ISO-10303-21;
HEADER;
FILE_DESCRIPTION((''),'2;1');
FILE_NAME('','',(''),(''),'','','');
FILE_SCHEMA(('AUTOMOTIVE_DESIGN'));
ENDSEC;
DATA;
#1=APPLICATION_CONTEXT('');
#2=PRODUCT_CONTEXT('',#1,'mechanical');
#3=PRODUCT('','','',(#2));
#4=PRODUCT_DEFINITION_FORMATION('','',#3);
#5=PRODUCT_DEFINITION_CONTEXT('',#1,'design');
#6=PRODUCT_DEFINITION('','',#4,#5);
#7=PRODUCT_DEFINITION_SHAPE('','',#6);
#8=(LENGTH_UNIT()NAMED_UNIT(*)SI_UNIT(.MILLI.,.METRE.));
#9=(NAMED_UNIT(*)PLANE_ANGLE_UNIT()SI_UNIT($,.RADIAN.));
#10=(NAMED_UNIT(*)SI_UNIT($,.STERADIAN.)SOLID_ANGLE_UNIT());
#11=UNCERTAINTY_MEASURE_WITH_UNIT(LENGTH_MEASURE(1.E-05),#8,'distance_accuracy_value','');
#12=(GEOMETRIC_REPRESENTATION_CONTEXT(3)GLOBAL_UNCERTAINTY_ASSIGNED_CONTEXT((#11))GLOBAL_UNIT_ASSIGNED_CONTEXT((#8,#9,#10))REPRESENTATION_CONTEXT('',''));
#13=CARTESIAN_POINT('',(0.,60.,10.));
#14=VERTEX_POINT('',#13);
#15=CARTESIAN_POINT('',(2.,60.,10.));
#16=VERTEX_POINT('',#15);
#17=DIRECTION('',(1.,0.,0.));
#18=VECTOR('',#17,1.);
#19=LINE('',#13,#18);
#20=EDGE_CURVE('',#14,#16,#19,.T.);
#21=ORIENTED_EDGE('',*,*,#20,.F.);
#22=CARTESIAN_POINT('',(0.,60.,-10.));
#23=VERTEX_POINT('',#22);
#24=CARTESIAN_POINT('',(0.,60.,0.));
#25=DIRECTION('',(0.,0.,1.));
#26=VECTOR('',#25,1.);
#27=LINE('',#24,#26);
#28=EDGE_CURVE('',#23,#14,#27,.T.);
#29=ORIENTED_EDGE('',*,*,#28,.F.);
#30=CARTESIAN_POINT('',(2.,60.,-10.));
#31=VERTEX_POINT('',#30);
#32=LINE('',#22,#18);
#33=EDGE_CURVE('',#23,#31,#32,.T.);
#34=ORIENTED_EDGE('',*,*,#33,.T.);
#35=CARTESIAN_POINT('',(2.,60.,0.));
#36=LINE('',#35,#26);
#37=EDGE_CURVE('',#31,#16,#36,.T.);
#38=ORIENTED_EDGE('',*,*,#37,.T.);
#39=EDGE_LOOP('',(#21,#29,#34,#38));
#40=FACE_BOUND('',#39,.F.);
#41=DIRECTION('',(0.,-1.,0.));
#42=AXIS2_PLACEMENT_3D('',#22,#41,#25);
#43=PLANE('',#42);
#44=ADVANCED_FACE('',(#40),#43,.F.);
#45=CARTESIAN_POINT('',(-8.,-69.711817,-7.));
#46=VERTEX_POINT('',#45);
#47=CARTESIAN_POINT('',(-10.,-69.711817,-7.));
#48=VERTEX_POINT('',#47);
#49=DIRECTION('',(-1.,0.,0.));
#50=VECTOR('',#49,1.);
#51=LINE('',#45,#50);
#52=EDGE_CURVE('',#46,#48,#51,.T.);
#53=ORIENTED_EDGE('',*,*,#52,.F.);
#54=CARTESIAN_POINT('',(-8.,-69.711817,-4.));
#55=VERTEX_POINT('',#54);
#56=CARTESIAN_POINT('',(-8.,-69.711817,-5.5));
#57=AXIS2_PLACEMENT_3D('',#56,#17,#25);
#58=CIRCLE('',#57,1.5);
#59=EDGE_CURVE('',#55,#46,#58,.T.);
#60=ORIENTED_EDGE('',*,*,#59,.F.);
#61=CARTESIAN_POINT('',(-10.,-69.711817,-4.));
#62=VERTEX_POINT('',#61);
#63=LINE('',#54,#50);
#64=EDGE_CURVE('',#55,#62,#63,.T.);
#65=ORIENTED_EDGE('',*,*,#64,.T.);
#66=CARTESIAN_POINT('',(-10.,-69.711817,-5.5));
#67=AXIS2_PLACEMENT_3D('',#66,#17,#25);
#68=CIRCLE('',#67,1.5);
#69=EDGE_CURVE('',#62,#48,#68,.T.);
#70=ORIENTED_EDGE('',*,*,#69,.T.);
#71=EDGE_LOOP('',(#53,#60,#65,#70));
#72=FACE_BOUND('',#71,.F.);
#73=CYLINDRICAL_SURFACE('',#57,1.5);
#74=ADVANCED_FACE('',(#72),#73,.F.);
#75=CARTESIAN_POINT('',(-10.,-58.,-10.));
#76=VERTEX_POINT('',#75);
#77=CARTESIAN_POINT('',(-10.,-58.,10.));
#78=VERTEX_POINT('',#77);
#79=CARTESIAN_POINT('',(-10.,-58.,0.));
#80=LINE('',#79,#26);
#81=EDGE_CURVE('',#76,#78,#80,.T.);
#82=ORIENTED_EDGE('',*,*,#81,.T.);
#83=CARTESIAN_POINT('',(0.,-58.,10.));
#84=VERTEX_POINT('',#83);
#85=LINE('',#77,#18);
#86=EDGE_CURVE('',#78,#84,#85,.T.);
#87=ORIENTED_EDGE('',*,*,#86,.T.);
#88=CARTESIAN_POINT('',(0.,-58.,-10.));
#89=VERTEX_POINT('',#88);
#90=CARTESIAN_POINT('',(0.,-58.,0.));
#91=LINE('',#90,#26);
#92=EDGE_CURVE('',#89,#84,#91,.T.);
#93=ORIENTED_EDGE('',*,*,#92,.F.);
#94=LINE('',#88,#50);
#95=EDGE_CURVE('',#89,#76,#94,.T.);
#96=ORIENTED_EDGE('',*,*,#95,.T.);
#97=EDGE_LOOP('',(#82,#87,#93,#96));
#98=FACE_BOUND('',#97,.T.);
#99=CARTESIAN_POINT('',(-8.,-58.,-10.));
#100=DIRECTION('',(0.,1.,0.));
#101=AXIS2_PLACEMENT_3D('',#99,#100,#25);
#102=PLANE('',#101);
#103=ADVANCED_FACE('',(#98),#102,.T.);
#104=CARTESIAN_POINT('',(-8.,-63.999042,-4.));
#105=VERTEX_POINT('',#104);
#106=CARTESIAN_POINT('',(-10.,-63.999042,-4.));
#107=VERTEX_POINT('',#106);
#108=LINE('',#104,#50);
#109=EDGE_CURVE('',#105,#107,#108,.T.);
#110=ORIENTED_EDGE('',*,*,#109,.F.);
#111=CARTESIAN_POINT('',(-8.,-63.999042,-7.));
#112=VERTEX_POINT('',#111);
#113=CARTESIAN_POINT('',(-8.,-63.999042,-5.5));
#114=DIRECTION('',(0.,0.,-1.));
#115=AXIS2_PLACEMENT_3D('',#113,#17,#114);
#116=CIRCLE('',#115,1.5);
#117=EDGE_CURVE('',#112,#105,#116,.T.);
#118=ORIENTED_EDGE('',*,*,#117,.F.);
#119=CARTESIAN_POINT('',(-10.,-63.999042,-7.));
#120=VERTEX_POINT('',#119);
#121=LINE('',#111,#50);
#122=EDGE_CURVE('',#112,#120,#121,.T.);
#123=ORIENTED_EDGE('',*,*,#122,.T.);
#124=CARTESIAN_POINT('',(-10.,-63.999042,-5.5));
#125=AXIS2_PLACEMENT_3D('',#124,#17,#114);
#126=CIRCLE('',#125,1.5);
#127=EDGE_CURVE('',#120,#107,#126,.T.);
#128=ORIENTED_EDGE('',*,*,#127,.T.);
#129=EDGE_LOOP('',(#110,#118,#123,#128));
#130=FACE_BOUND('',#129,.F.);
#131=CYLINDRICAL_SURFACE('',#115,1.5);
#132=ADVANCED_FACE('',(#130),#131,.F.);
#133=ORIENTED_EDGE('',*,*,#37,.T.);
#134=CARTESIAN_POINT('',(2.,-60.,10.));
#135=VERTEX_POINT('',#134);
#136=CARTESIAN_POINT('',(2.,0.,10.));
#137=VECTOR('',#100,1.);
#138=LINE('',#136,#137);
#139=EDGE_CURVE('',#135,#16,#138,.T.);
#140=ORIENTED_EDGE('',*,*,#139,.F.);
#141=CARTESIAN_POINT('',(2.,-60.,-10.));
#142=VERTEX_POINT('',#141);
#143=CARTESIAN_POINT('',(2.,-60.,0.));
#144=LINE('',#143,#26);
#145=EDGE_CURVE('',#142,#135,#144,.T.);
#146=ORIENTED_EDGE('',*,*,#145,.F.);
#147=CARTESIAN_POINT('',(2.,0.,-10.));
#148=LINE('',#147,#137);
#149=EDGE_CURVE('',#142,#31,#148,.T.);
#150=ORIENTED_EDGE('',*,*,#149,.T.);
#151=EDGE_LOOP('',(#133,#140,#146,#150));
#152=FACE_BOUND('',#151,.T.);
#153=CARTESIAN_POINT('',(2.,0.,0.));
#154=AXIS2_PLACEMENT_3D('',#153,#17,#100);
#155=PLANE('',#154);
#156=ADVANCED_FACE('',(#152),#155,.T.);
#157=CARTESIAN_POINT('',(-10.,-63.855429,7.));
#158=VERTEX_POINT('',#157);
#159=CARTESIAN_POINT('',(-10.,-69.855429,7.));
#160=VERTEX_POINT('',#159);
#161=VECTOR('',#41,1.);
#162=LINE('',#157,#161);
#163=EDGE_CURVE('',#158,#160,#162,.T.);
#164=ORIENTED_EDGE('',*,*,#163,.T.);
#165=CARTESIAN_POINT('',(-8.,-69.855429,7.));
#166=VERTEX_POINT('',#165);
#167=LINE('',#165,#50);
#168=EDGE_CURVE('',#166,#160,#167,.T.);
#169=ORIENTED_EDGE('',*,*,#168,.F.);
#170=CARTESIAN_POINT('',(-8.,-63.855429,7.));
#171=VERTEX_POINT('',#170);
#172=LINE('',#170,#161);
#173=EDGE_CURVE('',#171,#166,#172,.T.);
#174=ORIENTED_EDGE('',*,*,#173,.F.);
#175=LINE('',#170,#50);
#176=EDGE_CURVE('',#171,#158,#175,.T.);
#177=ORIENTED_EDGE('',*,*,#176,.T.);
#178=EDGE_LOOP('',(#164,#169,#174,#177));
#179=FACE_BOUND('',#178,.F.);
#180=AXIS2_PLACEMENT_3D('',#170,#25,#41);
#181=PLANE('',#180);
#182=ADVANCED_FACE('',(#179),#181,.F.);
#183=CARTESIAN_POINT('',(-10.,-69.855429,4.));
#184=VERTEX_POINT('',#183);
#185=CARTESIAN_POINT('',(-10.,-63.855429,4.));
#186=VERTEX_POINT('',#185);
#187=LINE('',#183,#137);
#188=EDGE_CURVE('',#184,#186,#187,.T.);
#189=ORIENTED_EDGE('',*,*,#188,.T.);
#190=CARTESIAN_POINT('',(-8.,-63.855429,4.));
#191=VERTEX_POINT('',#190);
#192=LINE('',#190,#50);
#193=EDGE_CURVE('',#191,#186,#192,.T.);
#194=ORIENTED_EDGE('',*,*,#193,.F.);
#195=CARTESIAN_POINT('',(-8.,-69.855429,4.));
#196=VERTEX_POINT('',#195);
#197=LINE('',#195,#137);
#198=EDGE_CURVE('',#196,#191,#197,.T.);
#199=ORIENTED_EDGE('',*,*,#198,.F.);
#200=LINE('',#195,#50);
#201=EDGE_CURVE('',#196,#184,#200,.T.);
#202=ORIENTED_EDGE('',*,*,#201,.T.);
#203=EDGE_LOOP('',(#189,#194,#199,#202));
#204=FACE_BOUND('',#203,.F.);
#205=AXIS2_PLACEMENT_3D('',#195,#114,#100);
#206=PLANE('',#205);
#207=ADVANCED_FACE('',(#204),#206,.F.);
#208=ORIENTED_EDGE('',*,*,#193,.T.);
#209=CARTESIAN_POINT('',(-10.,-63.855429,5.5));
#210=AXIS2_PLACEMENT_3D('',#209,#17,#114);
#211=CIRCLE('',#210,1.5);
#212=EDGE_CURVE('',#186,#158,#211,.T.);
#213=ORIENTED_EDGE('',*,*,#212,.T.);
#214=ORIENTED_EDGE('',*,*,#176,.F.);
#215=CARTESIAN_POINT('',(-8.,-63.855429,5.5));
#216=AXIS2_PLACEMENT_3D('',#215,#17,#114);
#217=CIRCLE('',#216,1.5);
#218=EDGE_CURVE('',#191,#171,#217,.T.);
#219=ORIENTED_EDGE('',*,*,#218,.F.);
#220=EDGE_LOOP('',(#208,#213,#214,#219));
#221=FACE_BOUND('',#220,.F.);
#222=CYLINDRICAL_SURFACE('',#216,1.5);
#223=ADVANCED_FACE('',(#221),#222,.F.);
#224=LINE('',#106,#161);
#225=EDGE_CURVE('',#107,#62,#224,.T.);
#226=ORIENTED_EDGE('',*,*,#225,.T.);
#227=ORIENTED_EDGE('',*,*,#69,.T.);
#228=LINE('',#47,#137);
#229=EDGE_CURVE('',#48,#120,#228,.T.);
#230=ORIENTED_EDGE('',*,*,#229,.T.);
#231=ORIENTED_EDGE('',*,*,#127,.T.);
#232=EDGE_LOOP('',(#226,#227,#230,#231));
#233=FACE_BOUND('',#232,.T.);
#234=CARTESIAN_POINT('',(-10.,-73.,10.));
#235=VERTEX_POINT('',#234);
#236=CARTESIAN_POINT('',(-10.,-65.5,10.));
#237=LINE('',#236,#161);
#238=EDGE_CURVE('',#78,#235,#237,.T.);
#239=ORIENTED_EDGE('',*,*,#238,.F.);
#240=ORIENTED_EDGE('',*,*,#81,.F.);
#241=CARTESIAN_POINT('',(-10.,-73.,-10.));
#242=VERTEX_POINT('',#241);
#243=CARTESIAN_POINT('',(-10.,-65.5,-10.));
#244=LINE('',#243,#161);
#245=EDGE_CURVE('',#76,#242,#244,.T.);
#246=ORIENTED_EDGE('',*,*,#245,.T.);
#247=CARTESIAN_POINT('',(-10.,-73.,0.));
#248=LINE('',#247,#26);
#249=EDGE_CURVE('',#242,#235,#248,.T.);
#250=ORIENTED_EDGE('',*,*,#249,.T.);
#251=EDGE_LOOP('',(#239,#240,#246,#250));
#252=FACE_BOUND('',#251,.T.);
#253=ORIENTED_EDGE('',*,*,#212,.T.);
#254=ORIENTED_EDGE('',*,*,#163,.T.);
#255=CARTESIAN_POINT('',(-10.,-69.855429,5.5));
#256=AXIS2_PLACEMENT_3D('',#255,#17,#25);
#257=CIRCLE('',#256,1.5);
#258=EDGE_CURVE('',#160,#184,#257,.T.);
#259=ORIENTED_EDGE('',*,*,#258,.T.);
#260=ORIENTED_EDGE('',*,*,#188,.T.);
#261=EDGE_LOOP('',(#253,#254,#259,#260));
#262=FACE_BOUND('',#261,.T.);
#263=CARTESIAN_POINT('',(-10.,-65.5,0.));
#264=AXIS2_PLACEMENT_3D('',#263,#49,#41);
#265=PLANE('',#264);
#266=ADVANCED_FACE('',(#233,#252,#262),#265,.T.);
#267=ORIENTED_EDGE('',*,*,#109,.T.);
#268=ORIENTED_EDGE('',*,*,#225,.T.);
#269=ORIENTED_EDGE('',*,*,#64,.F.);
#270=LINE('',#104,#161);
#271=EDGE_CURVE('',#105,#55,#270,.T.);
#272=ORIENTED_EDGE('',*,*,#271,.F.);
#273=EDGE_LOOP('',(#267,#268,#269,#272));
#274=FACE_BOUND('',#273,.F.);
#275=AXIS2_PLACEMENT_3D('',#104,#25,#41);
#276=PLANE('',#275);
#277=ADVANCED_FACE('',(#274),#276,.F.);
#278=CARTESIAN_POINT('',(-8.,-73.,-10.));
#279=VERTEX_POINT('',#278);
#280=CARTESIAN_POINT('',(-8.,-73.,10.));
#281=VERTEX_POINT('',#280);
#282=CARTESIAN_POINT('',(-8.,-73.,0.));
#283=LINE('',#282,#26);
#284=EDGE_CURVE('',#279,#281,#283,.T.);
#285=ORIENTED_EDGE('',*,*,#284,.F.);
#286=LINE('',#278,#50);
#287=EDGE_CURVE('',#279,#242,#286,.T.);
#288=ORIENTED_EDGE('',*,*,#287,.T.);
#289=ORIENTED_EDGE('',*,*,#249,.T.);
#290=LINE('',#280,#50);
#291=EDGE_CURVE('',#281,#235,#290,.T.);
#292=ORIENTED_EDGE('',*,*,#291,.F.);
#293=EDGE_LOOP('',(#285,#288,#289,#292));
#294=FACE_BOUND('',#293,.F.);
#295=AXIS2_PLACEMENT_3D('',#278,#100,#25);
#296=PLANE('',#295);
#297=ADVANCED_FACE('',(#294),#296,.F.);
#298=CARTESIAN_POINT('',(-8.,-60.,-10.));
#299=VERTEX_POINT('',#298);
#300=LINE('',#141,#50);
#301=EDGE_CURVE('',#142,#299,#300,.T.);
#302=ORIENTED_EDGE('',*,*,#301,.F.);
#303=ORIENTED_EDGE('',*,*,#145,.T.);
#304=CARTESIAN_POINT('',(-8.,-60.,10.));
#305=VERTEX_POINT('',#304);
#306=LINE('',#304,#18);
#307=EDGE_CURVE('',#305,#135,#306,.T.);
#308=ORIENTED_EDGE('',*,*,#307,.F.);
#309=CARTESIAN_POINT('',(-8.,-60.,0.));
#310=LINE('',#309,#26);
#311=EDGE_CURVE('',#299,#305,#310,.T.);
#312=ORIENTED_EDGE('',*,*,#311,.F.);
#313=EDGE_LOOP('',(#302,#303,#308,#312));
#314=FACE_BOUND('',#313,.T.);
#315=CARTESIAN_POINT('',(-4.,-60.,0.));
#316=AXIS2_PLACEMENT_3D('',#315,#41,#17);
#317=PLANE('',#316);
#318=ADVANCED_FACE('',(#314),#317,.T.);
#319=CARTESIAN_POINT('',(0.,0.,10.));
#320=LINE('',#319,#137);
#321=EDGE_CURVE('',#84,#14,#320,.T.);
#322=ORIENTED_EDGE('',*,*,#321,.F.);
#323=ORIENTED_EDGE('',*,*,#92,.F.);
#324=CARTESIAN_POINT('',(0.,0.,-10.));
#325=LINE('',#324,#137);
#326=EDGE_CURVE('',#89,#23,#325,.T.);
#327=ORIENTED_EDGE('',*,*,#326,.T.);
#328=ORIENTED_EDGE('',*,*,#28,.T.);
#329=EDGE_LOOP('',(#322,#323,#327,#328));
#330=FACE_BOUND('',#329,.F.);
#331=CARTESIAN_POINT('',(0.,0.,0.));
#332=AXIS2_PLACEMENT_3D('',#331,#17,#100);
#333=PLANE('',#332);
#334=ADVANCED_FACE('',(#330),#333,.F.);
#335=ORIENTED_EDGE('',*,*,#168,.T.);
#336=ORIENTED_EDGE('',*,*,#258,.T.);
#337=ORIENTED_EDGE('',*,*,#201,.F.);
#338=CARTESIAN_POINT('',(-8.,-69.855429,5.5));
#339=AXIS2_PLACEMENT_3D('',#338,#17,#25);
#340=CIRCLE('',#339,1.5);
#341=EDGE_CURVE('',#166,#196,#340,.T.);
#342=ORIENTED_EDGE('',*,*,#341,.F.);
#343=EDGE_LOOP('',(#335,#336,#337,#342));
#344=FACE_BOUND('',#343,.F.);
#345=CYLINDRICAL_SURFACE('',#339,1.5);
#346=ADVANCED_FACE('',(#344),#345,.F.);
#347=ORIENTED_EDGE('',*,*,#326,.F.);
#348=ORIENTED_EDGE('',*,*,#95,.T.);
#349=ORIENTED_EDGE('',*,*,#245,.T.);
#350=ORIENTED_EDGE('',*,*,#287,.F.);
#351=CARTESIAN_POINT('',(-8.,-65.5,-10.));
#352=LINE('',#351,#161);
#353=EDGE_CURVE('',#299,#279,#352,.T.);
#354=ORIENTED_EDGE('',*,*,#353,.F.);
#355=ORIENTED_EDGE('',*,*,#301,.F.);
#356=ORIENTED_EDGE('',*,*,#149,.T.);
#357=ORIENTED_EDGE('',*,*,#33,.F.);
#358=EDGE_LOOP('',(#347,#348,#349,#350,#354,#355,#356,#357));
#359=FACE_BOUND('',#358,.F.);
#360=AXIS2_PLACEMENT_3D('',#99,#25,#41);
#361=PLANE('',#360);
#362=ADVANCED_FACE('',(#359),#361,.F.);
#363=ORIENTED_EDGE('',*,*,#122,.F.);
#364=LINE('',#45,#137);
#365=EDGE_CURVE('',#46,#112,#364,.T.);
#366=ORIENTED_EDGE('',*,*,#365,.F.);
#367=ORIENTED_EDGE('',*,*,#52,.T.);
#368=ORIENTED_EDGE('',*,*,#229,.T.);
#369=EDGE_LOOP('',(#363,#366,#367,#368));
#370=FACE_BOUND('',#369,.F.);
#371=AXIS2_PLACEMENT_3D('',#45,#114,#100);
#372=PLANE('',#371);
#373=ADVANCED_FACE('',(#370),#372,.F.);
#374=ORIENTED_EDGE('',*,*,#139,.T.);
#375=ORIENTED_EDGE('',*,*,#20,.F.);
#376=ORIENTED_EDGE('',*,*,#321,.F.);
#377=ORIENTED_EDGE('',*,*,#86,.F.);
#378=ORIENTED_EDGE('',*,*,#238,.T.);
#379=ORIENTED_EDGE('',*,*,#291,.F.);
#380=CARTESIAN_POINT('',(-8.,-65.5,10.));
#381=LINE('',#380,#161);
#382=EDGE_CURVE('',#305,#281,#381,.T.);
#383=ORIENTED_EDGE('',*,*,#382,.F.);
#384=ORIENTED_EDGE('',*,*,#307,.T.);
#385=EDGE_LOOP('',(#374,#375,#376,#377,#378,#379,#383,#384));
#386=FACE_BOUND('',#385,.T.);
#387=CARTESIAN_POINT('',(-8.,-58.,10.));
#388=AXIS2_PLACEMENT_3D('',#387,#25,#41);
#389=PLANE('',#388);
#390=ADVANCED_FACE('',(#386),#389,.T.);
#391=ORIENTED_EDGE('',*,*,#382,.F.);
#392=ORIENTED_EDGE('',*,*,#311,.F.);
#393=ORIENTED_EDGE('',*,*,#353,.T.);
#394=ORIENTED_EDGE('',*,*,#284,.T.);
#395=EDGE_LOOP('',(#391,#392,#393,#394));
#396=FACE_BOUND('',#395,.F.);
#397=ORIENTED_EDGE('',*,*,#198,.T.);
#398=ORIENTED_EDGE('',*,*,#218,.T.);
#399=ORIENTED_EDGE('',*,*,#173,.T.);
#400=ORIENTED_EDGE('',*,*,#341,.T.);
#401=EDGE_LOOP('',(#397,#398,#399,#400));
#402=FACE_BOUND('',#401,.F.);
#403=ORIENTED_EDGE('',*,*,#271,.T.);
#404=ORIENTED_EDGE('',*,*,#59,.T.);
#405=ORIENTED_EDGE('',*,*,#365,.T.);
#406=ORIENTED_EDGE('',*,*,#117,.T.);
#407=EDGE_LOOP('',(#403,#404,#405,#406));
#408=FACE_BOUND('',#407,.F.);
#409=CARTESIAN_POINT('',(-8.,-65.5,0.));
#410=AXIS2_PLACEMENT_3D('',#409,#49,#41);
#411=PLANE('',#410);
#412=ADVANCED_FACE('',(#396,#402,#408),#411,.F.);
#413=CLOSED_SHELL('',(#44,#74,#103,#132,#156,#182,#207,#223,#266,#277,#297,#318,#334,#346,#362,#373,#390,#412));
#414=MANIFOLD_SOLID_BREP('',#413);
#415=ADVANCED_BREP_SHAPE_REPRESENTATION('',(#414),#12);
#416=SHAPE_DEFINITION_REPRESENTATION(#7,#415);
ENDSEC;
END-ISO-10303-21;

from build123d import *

# Parameters (mm, degrees)
F0_W     = 120
F0_H     = 20
F1_DEPTH = 2
F2_W     = 8
F2_H     = 20
F3_DEPTH = 2
F4_W     = 15
F4_H     = 20
F5_DEPTH = 2


with BuildPart() as f1:
    # F0 (on Right) → F1 (new body)
    with BuildSketch(Plane.YZ):
        Rectangle(F0_W, F0_H)
    extrude(amount=F1_DEPTH)

    # F2 (on face) → F3 (join)
    with BuildSketch(Plane.XZ.offset(60)):
        with Locations((-4, 0)):
            Rectangle(F2_W, F2_H)
    extrude(amount=-F3_DEPTH)

    # F4 (on face) → F5 (join)
    with BuildSketch(Plane(origin=(-8, 0, 0), x_dir=(0, -1, 0), z_dir=(-1, 0, 0))):
        with Locations((65.5, 0)):
            Rectangle(F4_W, F4_H)
        with BuildLine():
            Line((69.711817, -7), (63.999042, -7))
            ThreePointArc((63.999042, -7), (62.499042, -5.5), (63.999042, -4))
            Line((63.999042, -4), (69.711817, -4))
            ThreePointArc((69.711817, -4), (71.211817, -5.5), (69.711817, -7))
        make_face(mode=Mode.SUBTRACT)
        with BuildLine():
            Line((69.855429, 4), (63.855429, 4))
            ThreePointArc((63.855429, 4), (62.355429, 5.5), (63.855429, 7))
            Line((63.855429, 7), (69.855429, 7))
            ThreePointArc((69.855429, 7), (71.355429, 5.5), (69.855429, 4))
        make_face(mode=Mode.SUBTRACT)
    extrude(amount=F5_DEPTH)


solid = f1.part
